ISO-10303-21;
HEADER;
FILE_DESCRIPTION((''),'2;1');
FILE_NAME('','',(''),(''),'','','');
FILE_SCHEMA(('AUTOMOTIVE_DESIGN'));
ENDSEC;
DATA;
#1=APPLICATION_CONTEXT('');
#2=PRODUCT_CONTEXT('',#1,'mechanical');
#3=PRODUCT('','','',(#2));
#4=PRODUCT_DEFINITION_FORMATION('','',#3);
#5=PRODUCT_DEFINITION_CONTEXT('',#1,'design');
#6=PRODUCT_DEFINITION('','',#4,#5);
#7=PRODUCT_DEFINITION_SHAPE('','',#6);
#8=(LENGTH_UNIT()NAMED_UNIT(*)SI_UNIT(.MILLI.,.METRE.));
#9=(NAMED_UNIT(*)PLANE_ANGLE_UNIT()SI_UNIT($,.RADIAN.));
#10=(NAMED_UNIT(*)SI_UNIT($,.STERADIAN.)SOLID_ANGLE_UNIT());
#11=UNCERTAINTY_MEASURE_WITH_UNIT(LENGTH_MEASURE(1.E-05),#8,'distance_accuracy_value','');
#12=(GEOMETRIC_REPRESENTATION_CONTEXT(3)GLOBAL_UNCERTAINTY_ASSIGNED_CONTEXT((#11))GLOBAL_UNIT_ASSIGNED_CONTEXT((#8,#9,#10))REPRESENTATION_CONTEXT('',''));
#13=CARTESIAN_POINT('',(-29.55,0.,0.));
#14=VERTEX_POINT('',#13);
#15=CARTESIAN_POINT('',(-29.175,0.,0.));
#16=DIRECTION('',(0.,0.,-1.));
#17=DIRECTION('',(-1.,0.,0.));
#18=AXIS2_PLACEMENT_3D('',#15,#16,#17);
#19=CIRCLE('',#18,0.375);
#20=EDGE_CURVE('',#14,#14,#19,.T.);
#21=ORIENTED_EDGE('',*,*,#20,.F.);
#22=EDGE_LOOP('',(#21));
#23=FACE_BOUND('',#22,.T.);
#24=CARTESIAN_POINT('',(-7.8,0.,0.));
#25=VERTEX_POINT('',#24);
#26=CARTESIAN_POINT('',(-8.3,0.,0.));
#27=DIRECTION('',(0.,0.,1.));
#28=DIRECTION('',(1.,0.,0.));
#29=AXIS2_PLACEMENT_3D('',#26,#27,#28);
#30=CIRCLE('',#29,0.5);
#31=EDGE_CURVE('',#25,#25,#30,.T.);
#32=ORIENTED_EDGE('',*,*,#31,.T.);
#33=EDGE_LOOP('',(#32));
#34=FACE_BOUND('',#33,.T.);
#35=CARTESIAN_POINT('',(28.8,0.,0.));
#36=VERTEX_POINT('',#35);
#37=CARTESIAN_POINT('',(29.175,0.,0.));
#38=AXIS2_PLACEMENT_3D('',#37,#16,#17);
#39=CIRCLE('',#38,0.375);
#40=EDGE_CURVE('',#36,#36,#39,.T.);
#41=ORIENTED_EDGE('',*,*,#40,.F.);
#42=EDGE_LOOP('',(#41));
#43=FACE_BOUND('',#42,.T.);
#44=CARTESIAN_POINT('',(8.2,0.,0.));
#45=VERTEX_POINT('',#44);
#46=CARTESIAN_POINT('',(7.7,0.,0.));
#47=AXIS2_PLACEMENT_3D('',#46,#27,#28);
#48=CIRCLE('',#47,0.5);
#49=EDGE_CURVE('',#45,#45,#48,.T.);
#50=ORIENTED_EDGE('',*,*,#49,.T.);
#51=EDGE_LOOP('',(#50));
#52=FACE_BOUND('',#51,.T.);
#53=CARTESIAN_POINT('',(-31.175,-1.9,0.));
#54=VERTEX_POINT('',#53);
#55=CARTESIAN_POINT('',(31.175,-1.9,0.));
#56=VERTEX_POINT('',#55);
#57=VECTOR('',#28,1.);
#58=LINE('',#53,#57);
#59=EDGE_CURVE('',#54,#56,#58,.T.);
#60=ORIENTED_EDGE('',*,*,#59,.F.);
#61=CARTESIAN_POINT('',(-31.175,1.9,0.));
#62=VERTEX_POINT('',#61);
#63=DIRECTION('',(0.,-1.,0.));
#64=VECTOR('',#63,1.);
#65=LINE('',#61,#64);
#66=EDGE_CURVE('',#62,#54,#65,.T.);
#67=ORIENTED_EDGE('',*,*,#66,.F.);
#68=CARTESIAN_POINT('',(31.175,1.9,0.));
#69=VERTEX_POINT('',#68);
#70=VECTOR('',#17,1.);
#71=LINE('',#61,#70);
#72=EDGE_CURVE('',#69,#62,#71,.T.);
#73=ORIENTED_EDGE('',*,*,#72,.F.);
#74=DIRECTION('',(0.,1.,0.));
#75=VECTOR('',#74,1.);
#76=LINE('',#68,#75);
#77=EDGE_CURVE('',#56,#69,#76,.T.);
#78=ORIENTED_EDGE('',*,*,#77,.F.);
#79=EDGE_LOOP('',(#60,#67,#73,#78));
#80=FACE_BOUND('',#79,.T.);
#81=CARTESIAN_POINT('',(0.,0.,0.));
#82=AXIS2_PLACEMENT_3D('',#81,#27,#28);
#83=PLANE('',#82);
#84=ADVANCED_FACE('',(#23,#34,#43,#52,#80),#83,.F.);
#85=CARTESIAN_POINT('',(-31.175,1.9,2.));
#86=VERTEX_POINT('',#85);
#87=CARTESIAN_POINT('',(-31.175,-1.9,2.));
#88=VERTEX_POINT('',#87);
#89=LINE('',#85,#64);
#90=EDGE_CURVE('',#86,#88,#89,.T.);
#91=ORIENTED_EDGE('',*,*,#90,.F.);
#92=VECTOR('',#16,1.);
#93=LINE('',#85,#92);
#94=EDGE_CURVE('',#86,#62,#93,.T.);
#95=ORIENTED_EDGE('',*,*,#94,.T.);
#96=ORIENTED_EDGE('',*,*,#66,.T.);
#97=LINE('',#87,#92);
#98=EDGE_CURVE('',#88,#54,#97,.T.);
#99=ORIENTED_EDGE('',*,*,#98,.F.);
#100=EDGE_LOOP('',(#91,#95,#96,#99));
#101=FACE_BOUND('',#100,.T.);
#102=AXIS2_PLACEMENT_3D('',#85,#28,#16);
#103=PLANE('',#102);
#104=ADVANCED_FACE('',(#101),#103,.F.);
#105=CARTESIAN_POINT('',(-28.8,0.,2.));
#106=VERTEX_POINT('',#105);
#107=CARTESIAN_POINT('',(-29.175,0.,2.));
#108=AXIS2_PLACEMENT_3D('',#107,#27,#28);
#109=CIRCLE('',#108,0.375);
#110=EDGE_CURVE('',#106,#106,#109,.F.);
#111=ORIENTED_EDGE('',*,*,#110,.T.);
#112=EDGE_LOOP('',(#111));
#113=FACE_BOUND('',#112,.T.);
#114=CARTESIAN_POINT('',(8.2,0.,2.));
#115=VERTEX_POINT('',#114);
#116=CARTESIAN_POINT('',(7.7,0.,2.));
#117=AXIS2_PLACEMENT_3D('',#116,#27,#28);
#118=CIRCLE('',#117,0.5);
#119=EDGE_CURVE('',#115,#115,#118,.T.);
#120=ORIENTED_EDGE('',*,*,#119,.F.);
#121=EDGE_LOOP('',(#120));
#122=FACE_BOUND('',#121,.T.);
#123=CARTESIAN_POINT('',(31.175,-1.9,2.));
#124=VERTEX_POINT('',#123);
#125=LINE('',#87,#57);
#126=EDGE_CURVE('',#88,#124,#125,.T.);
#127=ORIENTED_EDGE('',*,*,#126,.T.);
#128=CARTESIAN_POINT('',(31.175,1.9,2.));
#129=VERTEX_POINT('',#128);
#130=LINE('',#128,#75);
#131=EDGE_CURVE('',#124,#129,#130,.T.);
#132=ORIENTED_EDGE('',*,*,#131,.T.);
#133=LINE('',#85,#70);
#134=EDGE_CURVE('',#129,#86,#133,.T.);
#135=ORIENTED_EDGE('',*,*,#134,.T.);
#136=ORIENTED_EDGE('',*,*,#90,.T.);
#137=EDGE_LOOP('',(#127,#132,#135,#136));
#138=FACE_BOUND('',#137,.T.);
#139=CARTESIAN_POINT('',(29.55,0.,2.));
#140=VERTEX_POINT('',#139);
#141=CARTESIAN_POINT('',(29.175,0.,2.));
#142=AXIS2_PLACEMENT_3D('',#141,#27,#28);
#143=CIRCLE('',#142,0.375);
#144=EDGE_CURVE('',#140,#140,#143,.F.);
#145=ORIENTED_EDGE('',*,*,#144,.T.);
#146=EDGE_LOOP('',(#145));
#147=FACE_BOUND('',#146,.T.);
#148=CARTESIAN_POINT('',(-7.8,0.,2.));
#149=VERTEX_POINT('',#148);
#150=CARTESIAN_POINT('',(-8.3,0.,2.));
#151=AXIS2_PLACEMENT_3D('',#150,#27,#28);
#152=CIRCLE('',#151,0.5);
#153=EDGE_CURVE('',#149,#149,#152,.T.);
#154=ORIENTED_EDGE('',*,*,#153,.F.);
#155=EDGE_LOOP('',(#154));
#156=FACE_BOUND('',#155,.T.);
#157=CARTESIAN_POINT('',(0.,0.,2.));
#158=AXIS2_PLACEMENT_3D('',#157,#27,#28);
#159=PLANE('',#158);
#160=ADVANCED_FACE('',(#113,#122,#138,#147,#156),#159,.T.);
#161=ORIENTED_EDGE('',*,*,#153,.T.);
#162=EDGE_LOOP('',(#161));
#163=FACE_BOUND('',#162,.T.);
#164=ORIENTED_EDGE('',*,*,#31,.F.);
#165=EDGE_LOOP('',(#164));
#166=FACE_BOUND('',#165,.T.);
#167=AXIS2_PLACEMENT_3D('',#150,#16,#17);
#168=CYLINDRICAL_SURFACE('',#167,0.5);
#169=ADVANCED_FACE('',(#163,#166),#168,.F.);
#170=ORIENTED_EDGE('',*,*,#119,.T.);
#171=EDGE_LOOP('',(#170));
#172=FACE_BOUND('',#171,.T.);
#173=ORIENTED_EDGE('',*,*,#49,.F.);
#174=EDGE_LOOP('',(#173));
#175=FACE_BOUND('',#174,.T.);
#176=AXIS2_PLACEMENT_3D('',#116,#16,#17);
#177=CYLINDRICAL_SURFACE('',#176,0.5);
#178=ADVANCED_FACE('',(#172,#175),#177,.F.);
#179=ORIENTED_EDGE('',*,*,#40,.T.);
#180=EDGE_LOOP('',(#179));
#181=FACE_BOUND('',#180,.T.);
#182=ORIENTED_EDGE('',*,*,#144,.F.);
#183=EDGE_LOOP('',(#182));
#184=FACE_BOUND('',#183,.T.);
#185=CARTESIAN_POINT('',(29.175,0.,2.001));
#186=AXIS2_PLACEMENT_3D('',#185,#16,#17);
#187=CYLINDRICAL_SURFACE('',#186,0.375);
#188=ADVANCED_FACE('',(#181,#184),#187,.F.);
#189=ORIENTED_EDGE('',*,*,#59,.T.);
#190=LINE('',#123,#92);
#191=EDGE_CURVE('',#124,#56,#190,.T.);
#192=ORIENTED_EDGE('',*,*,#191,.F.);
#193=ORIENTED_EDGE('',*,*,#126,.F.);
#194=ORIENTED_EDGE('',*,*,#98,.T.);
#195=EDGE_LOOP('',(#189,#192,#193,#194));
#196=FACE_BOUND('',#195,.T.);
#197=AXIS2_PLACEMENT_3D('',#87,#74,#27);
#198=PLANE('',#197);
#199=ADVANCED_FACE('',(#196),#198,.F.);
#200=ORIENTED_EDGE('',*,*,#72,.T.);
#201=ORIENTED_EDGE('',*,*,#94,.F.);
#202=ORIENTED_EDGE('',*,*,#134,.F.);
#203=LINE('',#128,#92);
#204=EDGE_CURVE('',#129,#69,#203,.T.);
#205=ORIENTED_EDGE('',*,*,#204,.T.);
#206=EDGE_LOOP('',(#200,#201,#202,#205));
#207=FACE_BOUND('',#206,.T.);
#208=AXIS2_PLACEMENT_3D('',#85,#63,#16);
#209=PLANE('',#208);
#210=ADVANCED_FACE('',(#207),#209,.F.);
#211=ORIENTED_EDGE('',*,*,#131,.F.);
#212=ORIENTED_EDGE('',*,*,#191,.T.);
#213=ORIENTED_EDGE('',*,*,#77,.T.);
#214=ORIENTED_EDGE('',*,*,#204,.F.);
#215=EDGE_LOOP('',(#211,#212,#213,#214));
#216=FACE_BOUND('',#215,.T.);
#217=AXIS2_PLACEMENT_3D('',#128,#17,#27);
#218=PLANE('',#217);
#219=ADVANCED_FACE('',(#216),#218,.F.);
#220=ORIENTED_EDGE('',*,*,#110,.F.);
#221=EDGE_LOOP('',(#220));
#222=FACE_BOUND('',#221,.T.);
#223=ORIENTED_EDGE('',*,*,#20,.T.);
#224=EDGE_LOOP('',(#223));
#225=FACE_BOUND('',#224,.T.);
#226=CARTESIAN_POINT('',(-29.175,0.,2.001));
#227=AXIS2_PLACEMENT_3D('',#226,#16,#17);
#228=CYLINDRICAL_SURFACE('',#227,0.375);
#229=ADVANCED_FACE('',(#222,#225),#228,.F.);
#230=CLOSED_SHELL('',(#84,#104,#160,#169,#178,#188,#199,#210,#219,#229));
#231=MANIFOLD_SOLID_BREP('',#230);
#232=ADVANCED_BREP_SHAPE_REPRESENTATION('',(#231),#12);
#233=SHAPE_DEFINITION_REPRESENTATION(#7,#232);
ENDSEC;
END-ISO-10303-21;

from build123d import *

# Parameters (mm, degrees)
SKETCH_2_W          = 62.35
SKETCH_2_H          = 3.8
SKETCH_2_R          = 0.5
EXTRUDE_1_DEPTH     = 2
CUT_EXTRUDE_1_REACH = 33.297
SKETCH_3_R          = 0.375


with BuildPart() as part:
    # 草图2 → 凸台-拉伸1 (new body)
    with BuildSketch(Plane.XY):
        Rectangle(SKETCH_2_W, SKETCH_2_H)
        with Locations((7.7, 0)):
            Circle(SKETCH_2_R, mode=Mode.SUBTRACT)
        with Locations((-8.3, 0)):
            Circle(SKETCH_2_R, mode=Mode.SUBTRACT)
    extrude(amount=EXTRUDE_1_DEPTH)

    # 草图3 → 切除-拉伸1 (cut, up to next)
    with BuildSketch(Plane(origin=(0, 0, 0), x_dir=(-1, 0, 0), z_dir=(0, 0, -1)), mode=Mode.PRIVATE) as cut_extrude_1_sk1:
        with Locations((29.175, 0)):
            Circle(SKETCH_3_R)
    cut_extrude_1_tool1 = extrude(cut_extrude_1_sk1.sketch, amount=-CUT_EXTRUDE_1_REACH, mode=Mode.PRIVATE) & part.part
    # 草图3 → 切除-拉伸1 (cut, up to next)
    with BuildSketch(Plane(origin=(0, 0, 0), x_dir=(-1, 0, 0), z_dir=(0, 0, -1)), mode=Mode.PRIVATE) as cut_extrude_1_sk2:
        with Locations((-29.175, 0)):
            Circle(SKETCH_3_R)
    cut_extrude_1_tool2 = extrude(cut_extrude_1_sk2.sketch, amount=-CUT_EXTRUDE_1_REACH, mode=Mode.PRIVATE) & part.part
    add(cut_extrude_1_tool1.solids().sort_by_distance((-29.175, 0, 0))[0], mode=Mode.SUBTRACT)
    add(cut_extrude_1_tool2.solids().sort_by_distance((29.175, 0, 0))[0], mode=Mode.SUBTRACT)


solid = part.part
